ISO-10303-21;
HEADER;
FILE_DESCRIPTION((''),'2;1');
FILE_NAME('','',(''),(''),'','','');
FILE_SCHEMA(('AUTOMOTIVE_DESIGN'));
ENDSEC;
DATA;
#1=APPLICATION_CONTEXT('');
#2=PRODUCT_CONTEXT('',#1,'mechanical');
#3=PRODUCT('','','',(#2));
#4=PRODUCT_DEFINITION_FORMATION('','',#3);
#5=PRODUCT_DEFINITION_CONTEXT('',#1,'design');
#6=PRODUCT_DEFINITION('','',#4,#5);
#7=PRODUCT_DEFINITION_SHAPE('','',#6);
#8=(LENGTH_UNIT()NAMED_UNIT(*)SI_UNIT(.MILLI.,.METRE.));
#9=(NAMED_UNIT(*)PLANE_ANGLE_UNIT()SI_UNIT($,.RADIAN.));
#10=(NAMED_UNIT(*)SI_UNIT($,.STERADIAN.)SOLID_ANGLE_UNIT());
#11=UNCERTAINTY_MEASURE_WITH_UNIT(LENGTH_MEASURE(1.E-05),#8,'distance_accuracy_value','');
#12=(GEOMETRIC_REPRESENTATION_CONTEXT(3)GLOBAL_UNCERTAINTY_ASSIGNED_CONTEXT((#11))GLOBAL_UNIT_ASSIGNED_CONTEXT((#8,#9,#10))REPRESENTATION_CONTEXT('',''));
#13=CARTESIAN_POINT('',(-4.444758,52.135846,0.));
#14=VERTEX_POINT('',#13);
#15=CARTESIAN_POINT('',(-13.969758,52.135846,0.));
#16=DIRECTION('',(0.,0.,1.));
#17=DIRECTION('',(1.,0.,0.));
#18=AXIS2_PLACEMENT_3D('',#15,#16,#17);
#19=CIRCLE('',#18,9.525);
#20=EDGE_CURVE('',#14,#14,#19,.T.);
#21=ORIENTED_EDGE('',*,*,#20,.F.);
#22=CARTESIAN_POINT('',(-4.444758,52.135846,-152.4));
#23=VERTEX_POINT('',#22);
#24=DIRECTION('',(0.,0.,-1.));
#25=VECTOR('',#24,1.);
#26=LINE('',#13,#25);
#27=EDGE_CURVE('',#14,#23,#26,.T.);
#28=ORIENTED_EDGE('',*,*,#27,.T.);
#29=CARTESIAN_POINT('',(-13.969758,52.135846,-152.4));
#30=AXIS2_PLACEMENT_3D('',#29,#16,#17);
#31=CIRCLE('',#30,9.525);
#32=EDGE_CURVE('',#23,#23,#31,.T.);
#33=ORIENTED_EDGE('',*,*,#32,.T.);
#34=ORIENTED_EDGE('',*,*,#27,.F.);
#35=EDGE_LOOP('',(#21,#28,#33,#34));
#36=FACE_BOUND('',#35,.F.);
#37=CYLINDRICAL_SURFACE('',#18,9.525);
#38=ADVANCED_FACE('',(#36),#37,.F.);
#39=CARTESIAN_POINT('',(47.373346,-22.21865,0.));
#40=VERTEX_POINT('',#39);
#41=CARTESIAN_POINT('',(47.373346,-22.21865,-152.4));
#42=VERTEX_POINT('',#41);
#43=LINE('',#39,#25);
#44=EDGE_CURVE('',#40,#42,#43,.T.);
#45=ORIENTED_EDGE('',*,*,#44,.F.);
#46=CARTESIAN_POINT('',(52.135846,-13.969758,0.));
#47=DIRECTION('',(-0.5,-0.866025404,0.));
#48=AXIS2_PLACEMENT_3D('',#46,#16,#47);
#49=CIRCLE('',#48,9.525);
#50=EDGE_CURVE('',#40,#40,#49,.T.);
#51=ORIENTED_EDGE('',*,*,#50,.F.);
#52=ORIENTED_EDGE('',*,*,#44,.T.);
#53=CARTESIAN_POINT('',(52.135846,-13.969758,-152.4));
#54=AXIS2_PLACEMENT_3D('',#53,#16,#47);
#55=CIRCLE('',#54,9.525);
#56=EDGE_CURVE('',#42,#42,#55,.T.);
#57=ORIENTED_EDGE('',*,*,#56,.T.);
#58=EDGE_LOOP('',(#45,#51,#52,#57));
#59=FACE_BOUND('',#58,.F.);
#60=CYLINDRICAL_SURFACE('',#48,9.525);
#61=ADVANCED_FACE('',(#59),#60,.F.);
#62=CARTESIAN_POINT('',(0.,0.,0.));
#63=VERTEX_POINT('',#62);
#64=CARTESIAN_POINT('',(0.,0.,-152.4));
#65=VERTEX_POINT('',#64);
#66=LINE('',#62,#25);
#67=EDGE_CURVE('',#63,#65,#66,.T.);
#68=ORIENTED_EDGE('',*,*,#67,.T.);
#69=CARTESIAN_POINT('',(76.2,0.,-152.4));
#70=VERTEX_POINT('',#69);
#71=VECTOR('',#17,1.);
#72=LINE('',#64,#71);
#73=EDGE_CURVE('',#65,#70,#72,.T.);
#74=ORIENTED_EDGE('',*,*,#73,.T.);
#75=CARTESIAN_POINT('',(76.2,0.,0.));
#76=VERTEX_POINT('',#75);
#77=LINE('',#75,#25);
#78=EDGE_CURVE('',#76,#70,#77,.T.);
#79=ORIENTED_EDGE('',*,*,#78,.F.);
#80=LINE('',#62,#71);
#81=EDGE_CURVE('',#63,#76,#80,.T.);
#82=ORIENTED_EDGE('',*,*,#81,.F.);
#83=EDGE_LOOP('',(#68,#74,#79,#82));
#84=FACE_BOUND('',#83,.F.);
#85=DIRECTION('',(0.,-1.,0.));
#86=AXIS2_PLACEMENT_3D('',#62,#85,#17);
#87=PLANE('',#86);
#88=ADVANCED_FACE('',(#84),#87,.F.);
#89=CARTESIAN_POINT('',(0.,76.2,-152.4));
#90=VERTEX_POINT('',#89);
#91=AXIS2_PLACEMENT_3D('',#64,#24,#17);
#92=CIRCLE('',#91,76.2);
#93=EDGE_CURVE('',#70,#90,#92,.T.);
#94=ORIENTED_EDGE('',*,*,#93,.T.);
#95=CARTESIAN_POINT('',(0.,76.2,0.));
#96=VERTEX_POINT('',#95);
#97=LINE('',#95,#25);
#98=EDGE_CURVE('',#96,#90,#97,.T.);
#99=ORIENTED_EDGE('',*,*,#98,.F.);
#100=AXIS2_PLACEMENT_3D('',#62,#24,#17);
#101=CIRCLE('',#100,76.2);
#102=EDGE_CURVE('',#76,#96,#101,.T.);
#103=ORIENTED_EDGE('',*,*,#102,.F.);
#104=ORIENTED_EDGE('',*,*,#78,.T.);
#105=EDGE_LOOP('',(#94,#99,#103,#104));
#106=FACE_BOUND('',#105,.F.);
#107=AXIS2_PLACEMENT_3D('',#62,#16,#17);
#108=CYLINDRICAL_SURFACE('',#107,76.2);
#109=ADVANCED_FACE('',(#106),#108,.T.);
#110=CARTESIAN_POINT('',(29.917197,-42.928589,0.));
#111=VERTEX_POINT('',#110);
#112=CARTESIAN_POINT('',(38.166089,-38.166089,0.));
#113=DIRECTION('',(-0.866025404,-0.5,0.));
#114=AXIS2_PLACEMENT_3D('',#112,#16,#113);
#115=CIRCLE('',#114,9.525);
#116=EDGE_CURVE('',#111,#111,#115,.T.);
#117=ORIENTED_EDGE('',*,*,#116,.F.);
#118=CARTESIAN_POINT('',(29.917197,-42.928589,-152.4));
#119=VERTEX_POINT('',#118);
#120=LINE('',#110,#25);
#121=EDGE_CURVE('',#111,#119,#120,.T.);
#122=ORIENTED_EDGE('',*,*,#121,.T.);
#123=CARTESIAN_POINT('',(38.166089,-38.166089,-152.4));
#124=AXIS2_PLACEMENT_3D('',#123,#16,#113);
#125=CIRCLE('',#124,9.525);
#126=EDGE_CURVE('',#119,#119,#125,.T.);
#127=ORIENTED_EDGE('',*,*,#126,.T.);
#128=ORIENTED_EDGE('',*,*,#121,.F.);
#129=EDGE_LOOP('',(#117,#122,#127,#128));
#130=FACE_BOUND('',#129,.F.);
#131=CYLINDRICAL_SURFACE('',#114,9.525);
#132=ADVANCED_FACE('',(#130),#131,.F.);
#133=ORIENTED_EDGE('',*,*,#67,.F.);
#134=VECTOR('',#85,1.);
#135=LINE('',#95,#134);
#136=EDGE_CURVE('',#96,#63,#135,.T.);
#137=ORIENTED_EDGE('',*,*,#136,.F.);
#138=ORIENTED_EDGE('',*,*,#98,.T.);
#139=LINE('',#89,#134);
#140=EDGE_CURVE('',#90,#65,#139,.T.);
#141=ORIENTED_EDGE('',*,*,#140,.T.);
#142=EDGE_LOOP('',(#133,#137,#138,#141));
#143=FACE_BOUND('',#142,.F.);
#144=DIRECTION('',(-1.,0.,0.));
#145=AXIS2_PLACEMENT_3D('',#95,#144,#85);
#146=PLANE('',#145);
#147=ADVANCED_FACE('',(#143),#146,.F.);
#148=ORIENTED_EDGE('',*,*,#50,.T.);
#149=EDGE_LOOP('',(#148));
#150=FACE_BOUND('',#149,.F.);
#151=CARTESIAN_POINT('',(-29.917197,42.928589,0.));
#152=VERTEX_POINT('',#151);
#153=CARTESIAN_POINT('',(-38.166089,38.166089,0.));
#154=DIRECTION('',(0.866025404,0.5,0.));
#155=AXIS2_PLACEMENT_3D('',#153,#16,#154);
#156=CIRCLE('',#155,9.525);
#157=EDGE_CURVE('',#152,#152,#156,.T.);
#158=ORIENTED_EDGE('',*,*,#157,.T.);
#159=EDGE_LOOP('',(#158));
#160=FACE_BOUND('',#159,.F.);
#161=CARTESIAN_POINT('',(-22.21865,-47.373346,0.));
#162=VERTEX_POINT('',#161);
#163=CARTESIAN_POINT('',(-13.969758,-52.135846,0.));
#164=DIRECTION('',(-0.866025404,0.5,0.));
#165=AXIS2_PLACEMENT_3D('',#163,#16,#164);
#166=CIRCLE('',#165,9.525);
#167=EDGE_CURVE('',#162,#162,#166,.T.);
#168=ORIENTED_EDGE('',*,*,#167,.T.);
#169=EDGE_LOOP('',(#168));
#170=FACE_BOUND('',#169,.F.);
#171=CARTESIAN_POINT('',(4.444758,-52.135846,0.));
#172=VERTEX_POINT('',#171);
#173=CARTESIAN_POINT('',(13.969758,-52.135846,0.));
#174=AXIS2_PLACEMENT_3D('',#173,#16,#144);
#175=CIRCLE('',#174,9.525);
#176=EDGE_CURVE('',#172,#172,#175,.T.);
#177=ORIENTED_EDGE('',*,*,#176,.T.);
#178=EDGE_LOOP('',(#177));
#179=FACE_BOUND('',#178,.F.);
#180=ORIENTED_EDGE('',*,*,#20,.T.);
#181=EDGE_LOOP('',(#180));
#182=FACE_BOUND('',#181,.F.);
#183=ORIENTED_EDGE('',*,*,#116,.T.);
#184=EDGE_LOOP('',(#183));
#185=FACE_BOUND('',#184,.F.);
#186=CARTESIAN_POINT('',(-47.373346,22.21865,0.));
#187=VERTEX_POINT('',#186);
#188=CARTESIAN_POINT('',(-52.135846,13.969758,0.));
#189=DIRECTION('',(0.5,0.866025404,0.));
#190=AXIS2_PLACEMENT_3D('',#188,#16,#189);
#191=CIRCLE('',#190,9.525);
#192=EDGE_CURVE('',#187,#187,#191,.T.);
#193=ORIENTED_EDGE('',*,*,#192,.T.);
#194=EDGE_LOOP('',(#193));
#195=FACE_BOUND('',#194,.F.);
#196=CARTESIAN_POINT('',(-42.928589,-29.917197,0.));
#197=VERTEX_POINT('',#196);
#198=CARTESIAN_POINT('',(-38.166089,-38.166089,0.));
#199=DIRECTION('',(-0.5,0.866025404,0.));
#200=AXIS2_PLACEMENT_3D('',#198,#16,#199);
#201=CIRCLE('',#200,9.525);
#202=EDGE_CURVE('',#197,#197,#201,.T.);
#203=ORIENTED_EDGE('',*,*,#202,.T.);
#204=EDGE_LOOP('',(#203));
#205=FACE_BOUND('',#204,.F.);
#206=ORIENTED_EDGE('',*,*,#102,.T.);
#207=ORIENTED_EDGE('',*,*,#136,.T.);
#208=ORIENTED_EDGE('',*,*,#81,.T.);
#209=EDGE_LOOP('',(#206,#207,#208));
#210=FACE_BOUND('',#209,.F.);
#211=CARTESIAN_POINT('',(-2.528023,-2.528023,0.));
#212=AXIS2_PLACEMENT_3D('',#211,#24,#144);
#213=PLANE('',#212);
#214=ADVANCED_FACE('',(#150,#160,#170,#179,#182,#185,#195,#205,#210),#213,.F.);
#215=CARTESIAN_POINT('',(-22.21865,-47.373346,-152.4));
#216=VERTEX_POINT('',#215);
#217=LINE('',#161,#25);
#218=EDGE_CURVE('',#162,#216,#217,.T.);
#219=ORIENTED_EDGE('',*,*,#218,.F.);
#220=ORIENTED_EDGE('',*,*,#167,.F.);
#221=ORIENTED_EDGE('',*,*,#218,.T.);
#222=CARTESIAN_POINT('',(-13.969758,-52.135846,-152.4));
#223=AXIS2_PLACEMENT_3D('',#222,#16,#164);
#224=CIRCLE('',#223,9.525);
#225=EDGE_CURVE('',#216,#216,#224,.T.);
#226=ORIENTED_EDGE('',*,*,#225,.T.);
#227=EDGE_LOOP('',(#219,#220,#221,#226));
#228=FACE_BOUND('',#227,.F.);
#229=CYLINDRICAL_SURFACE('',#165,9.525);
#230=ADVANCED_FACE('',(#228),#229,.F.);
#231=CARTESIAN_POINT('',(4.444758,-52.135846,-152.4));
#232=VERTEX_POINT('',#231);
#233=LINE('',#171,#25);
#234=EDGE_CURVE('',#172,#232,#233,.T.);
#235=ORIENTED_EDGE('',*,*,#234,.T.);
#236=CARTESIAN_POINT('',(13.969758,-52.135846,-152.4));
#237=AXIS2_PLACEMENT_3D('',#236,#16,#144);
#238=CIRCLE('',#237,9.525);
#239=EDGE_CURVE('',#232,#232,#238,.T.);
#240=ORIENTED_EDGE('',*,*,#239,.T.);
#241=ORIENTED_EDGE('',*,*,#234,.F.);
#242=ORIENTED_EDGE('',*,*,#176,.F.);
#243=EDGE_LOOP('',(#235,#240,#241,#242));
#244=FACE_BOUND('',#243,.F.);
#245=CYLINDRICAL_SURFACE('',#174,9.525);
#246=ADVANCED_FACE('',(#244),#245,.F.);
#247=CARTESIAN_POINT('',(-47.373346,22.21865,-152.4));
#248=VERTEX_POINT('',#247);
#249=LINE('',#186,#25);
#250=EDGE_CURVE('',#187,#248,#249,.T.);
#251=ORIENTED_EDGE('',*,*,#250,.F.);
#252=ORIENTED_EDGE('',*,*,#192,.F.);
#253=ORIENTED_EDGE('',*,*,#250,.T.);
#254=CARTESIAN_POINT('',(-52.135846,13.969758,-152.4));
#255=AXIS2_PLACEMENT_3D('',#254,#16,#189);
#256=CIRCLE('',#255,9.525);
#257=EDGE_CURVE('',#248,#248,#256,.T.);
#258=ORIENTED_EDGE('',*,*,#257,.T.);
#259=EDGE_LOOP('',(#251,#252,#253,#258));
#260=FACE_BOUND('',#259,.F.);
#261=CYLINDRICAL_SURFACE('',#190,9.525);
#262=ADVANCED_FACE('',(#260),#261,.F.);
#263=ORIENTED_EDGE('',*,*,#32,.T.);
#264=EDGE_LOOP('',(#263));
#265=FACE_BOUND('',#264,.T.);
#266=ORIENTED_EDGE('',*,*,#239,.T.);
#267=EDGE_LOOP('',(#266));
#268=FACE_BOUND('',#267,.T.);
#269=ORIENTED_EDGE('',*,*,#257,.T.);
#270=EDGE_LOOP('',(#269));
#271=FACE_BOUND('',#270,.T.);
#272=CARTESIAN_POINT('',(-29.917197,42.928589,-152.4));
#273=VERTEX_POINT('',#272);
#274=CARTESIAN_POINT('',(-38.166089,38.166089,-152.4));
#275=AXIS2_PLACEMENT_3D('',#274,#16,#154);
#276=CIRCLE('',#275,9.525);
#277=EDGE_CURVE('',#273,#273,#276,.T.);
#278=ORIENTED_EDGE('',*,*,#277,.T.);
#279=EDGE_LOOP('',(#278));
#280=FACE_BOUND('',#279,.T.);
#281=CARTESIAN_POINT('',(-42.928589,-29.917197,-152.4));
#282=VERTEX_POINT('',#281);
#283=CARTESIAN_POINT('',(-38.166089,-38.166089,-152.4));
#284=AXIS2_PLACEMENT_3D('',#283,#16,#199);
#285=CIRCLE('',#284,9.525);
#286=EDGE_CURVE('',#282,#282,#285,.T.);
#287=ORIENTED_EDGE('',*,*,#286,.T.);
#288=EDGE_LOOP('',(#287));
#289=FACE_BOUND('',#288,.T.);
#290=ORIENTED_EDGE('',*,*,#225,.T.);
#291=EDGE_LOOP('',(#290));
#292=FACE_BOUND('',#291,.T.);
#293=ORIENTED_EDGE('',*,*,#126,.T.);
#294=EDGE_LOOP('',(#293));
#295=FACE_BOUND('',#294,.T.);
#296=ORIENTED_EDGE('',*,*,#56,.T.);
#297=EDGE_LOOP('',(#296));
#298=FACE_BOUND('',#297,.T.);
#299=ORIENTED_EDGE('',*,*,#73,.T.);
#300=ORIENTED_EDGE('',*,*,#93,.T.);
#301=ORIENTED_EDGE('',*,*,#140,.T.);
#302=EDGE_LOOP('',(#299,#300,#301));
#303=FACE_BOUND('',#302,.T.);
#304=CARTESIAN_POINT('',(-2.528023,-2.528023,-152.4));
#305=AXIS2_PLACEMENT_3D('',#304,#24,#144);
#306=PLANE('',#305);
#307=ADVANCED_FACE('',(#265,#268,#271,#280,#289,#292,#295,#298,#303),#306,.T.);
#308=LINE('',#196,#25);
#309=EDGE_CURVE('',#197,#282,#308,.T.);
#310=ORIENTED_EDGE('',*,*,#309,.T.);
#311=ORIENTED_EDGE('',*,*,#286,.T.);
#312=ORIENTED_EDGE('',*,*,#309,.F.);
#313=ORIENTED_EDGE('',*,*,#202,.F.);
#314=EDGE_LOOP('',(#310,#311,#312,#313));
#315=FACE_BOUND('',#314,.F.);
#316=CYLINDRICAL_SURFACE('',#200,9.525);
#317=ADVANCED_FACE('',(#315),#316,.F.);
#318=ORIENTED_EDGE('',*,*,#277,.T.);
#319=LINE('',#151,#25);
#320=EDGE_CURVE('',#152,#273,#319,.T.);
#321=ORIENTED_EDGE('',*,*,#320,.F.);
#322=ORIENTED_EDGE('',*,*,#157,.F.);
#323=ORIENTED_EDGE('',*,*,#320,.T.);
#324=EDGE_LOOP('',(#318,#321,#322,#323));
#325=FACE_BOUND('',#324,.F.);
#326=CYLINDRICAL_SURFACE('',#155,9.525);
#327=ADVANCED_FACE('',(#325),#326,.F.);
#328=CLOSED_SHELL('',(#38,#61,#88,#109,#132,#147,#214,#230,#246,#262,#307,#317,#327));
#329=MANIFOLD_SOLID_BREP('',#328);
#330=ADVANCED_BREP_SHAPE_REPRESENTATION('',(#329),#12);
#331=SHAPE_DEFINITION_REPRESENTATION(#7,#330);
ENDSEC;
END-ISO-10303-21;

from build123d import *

# Parameters (mm, degrees)
BOSS_EXTRUDE1_DEPTH = 152.4
SKETCH2_R           = 9.525
CUT_EXTRUDE1_DEPTH  = 187.6511184
CIRPATTERN1_COUNT   = 9
CIRPATTERN1_ANGLE   = 240


with BuildPart() as part:
    # Sketch1 → Boss-Extrude1 (new body)
    with BuildSketch(Plane.XY):
        with BuildLine():
            Line((0, 76.2), (0, 0))
            Line((0, 0), (76.2, 0))
            ThreePointArc((76.2, 0), (-53.881536726, -53.881536726), (0, 76.2))
        make_face()
    extrude(amount=-BOSS_EXTRUDE1_DEPTH)

    # Sketch2 → Cut-Extrude1 (cut, through all)
    with BuildSketch(Plane.XY):
        with Locations((-13.969757959, 52.135846474)):
            Circle(SKETCH2_R)
    cut_extrude1 = extrude(amount=-CUT_EXTRUDE1_DEPTH, mode=Mode.SUBTRACT)

    # CirPattern1: Cut-Extrude1 ×9 about axis, 1 skipped
    cirpattern1_axis = Axis((0, 0, 0), (0, 0, 1))
    add([cut_extrude1.rotate(cirpattern1_axis, i * CIRPATTERN1_ANGLE / (CIRPATTERN1_COUNT - 1)) for i in range(1, CIRPATTERN1_COUNT) if i not in (3,)], mode=Mode.SUBTRACT)


solid = part.part
